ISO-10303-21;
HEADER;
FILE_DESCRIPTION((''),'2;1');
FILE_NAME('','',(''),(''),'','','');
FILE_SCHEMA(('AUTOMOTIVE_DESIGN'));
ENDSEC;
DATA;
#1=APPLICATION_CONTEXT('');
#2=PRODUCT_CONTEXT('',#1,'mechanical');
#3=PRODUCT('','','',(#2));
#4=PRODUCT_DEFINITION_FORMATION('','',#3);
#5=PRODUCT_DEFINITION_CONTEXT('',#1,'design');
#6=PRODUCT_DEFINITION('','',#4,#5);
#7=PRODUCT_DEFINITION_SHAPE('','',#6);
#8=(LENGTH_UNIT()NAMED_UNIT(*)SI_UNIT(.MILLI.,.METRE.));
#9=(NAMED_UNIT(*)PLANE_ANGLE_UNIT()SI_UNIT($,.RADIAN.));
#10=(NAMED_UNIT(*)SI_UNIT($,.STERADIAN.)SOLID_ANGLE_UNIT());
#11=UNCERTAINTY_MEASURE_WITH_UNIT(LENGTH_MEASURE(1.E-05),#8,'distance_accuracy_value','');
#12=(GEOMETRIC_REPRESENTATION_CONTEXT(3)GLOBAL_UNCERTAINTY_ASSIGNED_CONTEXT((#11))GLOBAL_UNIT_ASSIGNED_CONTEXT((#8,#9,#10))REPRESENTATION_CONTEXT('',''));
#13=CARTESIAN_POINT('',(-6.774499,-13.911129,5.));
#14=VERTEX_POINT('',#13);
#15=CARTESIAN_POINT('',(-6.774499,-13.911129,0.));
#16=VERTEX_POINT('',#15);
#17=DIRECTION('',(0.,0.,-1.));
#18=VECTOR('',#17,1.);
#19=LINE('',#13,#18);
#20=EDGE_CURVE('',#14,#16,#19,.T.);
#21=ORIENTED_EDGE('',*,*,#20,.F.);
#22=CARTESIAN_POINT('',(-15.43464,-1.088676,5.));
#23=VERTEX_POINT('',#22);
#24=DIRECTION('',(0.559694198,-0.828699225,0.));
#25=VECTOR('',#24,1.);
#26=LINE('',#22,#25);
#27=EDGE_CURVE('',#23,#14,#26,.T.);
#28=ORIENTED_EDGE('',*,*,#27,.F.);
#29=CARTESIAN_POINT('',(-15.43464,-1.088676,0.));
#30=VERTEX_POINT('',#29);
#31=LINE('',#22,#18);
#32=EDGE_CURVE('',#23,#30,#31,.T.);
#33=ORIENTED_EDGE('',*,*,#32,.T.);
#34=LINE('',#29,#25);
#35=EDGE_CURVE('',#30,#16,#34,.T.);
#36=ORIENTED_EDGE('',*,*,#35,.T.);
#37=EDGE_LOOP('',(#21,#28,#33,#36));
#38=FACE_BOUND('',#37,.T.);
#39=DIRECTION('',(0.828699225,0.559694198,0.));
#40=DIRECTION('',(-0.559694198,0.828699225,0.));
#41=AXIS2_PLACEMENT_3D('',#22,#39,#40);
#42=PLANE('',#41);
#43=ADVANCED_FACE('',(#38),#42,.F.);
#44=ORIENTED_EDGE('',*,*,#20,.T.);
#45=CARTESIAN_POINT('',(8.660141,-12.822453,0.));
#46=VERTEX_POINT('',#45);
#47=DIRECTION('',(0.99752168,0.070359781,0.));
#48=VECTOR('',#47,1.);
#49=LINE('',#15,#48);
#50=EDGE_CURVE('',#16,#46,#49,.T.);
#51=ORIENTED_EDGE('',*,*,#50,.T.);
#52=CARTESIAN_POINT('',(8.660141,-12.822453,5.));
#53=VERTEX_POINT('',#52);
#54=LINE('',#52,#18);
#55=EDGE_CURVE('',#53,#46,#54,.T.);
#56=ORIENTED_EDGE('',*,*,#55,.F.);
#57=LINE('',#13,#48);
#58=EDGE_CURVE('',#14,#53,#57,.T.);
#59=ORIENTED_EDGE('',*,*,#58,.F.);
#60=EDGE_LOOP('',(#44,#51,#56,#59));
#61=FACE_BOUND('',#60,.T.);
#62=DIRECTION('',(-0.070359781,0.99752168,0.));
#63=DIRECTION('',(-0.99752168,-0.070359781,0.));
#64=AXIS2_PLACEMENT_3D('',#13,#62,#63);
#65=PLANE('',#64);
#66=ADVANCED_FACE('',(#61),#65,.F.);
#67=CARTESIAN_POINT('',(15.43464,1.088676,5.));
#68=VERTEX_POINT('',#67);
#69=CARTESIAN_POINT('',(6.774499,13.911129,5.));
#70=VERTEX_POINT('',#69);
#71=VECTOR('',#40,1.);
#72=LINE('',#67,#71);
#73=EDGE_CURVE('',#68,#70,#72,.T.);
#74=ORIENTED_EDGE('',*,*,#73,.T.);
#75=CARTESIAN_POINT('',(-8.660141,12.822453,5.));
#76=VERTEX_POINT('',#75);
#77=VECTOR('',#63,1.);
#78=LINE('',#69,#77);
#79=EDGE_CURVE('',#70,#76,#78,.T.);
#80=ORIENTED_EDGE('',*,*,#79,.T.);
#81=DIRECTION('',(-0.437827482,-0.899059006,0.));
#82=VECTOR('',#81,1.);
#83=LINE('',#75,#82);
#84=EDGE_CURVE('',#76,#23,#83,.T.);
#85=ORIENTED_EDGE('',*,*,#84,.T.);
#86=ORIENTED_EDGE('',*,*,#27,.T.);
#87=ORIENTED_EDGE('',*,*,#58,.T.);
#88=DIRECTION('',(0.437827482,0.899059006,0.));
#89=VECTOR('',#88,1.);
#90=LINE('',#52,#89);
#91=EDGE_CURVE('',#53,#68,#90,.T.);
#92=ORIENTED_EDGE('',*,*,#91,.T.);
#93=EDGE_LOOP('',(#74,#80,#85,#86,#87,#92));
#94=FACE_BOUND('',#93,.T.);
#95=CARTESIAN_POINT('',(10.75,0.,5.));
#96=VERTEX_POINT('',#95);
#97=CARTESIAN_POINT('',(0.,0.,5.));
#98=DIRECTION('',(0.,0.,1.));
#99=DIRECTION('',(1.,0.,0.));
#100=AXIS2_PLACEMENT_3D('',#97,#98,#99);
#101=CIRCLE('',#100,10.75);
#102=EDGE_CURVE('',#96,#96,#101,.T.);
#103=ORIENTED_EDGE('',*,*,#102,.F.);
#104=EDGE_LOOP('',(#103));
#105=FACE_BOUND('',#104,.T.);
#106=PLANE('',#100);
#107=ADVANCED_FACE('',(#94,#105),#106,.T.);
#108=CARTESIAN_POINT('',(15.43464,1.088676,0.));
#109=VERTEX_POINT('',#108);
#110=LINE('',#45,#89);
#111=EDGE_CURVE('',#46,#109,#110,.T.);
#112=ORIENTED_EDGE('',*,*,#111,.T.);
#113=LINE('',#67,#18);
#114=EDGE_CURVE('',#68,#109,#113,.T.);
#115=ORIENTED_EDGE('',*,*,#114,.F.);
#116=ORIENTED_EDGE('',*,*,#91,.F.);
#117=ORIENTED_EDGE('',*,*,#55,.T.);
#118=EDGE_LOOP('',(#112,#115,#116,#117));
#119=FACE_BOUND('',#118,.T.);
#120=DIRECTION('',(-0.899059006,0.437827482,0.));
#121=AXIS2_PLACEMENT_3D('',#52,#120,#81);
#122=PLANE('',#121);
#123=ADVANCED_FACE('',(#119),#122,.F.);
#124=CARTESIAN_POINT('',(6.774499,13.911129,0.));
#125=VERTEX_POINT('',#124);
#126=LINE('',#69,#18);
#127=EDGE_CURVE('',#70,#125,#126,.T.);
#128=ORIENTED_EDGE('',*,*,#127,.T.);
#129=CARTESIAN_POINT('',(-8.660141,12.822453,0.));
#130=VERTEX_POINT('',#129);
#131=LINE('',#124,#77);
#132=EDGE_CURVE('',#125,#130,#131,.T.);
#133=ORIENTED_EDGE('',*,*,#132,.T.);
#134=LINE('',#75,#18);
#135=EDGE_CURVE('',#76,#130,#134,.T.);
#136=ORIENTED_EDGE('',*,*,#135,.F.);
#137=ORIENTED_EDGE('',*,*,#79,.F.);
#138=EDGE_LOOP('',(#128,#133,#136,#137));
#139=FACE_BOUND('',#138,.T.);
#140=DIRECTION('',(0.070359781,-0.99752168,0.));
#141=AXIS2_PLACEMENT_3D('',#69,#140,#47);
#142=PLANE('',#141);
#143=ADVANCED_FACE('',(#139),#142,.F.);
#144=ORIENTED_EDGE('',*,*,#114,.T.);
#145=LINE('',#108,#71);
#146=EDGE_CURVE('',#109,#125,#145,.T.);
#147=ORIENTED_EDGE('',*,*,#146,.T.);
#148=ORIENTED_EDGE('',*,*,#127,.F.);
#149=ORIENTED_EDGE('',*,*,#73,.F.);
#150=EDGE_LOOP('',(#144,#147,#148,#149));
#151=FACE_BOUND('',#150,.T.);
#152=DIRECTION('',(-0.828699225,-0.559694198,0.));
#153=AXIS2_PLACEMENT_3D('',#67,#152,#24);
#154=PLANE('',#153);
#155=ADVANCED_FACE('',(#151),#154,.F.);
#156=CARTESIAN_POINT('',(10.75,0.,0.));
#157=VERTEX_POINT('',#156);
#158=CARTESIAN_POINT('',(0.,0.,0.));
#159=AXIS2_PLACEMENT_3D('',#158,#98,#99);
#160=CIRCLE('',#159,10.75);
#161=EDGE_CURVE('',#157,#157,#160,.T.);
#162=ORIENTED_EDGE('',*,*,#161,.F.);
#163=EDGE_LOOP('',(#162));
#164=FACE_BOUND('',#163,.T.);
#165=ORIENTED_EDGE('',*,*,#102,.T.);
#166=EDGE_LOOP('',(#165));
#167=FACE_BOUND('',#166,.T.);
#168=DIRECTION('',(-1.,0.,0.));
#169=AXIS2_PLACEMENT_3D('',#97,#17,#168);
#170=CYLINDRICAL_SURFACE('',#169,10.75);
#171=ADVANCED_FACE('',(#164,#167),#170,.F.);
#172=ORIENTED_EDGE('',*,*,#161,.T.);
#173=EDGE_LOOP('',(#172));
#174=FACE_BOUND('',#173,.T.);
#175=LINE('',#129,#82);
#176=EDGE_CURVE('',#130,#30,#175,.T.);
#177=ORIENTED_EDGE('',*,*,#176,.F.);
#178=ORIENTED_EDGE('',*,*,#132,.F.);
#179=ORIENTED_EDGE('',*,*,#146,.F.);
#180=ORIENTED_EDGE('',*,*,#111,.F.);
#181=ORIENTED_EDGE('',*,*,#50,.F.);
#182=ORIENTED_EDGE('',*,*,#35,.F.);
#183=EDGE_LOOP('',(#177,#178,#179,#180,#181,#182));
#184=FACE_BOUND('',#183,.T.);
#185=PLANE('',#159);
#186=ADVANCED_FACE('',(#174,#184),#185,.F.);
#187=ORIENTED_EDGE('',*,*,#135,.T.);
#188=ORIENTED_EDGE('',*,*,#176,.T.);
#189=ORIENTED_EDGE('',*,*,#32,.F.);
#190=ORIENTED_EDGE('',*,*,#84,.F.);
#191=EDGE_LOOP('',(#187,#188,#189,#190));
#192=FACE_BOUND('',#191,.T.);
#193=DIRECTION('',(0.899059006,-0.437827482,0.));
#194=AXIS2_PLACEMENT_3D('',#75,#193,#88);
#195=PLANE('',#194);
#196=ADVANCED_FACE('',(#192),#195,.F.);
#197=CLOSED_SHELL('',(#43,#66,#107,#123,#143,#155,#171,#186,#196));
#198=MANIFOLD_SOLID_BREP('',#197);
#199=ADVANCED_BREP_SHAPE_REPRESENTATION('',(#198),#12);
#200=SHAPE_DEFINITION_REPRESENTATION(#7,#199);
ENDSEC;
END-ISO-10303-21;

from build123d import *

# Parameters (mm, degrees)
SKETCH1_R           = 10.75
BOSS_EXTRUDE1_DEPTH = 5


with BuildPart() as part:
    # Sketch1 → Boss-Extrude1 (new body)
    with BuildSketch(Plane.XY):
        Polygon((6.774499028, 13.911128504), (-8.660141166, 12.822452508), (-15.434640194, -1.088675996), (-6.774499028, -13.911128504), (8.660141166, -12.822452508), (15.434640194, 1.088675996), align=None)
        Circle(SKETCH1_R, mode=Mode.SUBTRACT)
    extrude(amount=BOSS_EXTRUDE1_DEPTH)


solid = part.part
